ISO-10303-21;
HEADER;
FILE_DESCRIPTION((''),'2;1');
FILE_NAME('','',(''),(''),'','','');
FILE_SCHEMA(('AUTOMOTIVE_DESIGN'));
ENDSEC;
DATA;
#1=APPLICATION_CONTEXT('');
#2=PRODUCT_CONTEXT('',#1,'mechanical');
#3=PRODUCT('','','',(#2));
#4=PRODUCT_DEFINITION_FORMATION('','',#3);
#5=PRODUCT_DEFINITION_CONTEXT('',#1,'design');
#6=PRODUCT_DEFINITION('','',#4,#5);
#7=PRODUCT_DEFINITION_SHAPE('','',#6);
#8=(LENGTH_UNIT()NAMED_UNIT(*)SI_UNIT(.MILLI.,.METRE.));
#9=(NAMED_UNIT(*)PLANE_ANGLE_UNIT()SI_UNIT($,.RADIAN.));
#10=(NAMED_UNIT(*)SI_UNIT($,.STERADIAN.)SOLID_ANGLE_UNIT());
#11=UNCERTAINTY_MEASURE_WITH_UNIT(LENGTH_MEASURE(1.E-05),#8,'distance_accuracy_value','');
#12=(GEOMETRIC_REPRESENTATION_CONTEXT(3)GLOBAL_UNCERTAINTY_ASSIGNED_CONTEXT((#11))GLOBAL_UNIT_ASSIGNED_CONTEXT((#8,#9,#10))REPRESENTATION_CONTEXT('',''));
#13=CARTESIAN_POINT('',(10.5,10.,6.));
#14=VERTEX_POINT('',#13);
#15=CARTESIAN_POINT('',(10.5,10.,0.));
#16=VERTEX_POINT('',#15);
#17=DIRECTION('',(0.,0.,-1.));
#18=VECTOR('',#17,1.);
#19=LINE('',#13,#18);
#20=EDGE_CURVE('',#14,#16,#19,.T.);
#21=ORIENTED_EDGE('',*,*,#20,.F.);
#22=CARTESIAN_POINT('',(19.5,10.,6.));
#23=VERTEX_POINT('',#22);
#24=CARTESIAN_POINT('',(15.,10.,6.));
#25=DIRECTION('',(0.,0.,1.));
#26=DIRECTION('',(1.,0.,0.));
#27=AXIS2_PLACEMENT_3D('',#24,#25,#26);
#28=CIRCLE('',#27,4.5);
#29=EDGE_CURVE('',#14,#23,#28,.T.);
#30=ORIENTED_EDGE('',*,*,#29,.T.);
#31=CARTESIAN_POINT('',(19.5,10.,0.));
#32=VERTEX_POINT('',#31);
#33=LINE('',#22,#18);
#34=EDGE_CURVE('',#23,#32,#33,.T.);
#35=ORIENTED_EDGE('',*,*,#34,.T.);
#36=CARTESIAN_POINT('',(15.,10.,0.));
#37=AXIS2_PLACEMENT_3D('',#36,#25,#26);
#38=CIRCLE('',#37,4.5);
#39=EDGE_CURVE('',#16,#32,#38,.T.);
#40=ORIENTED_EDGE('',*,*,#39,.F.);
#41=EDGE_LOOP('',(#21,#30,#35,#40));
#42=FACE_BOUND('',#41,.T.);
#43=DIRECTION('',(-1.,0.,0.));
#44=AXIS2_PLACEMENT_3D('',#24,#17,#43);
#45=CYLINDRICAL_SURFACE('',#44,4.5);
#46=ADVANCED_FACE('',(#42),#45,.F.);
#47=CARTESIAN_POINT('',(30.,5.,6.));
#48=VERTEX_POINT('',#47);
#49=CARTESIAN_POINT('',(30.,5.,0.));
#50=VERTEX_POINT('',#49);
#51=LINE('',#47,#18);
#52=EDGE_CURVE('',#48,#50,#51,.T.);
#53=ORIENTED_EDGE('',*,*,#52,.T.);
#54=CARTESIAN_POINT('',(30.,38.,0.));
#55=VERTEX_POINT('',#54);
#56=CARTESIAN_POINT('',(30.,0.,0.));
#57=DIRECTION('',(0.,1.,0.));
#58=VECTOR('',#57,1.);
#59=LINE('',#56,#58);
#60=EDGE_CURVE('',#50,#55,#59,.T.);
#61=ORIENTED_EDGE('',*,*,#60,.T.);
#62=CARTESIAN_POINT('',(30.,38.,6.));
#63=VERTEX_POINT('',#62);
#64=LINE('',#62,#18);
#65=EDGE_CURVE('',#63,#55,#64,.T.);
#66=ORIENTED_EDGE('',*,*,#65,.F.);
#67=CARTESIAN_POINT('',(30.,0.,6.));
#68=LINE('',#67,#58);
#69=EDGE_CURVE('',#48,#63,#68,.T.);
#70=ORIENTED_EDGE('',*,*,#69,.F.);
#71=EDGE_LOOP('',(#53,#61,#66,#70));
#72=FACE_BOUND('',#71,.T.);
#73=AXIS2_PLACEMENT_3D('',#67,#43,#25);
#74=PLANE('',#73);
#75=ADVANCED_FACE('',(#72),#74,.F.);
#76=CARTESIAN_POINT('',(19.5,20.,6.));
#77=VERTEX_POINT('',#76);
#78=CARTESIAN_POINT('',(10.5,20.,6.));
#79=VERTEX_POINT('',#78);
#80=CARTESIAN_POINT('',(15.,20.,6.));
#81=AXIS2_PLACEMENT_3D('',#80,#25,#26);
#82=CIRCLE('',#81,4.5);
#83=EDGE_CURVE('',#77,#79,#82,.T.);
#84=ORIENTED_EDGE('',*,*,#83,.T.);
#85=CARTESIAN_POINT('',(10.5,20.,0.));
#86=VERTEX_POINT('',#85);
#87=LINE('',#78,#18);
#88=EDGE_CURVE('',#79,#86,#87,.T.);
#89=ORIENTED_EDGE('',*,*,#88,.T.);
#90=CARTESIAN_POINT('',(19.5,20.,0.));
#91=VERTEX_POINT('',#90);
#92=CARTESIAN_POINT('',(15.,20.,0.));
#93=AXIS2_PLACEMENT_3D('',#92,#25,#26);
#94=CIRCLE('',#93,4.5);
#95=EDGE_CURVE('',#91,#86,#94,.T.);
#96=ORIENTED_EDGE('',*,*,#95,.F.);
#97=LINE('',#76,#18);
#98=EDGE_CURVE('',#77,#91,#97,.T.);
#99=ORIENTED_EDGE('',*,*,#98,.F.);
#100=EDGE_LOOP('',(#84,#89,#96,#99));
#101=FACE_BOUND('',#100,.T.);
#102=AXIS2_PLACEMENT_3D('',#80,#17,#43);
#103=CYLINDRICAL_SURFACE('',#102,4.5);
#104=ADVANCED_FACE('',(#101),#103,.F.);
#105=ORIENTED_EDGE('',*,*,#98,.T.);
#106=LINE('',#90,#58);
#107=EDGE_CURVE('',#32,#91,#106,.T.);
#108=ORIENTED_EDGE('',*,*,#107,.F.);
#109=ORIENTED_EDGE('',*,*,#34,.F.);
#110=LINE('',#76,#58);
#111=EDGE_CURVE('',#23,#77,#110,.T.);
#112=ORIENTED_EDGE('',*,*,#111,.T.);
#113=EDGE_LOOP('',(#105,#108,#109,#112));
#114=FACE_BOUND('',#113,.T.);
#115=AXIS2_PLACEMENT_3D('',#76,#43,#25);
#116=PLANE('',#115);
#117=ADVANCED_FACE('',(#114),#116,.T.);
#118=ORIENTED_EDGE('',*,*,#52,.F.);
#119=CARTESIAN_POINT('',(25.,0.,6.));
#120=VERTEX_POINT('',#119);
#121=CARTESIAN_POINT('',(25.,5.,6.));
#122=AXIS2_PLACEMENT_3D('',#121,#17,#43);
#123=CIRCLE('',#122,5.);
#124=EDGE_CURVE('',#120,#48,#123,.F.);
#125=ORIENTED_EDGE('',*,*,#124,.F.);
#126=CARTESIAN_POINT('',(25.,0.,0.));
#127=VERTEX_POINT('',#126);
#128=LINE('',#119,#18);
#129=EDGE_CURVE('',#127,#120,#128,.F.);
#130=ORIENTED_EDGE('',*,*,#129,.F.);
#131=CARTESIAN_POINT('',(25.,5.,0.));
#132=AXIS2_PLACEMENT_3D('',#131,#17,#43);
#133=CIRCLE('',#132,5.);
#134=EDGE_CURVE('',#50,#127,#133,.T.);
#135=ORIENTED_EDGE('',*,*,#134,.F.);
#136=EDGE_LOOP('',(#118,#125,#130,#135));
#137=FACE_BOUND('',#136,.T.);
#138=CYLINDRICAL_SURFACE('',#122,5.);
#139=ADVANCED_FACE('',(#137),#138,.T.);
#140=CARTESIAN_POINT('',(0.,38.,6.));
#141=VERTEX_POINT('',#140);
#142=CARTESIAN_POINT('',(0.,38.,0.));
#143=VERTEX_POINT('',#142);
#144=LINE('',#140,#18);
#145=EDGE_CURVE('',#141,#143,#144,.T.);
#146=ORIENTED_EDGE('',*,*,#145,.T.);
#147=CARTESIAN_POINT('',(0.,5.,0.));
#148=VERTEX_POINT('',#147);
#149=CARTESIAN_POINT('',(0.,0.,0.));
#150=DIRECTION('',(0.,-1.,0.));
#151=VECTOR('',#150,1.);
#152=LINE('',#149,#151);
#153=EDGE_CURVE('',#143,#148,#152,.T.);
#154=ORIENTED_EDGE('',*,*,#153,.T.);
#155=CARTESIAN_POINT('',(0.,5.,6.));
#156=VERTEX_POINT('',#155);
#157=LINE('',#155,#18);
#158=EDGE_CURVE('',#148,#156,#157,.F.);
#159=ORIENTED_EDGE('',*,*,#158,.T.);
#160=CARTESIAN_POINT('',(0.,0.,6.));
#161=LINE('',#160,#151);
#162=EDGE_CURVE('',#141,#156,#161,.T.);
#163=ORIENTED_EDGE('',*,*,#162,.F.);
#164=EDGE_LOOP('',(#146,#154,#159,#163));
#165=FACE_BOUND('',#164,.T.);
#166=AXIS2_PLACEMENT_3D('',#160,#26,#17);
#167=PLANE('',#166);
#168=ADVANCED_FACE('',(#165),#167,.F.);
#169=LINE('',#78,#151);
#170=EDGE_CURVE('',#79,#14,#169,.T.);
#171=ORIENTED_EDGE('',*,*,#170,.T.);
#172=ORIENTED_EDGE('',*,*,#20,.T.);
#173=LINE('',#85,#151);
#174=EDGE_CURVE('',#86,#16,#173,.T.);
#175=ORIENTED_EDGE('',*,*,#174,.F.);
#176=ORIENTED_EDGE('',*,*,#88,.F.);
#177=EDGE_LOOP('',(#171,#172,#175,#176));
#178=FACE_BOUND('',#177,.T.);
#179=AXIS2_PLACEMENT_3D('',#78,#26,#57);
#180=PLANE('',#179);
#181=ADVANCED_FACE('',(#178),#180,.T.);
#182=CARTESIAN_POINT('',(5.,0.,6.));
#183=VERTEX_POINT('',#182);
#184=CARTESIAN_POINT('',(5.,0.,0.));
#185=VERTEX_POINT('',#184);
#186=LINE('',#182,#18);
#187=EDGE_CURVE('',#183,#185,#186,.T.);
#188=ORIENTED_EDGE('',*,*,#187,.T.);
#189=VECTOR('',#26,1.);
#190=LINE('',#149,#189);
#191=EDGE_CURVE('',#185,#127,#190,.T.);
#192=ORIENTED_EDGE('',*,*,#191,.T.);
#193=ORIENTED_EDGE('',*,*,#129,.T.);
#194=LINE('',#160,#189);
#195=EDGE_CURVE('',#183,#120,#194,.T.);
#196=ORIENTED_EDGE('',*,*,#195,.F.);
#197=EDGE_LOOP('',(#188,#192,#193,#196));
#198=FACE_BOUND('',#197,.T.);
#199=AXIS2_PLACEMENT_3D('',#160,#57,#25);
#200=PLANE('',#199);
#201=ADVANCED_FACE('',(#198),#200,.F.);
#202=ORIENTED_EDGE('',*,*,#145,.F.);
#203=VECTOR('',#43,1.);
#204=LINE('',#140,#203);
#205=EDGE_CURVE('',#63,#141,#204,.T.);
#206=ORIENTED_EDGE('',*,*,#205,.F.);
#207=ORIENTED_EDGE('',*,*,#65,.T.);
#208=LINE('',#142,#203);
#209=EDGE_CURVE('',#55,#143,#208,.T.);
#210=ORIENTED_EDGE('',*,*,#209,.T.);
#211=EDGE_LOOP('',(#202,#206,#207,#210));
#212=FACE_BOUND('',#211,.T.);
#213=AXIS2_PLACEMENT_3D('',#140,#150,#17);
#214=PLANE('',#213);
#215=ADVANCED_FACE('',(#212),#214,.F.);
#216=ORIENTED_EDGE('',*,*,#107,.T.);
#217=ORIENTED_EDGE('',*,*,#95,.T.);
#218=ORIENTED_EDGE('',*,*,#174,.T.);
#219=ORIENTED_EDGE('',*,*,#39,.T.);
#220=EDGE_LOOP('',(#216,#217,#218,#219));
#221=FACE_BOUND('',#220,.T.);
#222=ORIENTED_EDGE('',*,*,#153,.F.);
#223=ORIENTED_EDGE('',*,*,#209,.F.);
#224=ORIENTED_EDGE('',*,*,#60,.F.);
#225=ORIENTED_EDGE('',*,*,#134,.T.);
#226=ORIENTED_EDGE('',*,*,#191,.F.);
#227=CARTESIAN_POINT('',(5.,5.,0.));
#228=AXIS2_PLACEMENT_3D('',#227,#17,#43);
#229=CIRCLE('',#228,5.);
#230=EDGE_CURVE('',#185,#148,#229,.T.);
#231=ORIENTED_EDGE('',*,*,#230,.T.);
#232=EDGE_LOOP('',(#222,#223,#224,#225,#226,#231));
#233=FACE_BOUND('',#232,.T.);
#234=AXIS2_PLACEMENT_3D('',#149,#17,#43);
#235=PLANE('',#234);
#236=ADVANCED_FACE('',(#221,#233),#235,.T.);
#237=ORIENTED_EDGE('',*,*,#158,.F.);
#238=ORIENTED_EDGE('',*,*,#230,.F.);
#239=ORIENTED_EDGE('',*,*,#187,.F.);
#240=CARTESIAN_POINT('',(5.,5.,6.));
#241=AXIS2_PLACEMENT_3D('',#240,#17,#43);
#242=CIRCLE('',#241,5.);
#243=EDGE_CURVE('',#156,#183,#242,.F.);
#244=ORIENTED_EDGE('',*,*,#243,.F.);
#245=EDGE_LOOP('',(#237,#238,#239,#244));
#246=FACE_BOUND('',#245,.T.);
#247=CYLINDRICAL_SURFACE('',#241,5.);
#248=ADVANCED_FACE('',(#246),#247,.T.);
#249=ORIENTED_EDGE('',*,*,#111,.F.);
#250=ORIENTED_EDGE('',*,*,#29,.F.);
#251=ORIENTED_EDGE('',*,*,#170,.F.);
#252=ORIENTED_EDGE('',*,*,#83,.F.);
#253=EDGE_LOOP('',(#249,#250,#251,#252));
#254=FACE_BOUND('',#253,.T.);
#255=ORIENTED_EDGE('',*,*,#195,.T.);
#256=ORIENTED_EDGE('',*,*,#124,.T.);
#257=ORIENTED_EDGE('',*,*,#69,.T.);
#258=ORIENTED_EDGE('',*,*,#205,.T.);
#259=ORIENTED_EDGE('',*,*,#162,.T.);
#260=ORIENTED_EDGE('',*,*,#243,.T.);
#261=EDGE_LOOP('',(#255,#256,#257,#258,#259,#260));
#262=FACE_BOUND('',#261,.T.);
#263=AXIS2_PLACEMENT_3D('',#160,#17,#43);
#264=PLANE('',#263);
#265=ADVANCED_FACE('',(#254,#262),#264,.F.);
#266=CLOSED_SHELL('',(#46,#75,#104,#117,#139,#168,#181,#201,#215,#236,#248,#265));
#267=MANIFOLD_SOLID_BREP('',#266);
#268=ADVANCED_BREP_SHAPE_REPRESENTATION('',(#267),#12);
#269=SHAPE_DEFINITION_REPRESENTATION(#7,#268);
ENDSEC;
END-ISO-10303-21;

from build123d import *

# Parameters (mm, degrees)
SKETCH_1_W      = 30
SKETCH_1_H      = 38
EXTRUDE_1_DEPTH = 6
FILLET_1_R      = 5


with BuildPart() as part:
    # 草图1 → 凸台-拉伸1 (new body)
    with BuildSketch(Plane.XY):
        with Locations((15, 19)):
            Rectangle(SKETCH_1_W, SKETCH_1_H)
        with BuildLine():
            Line((19.5, 20), (19.5, 10))
            ThreePointArc((19.5, 10), (15, 5.5), (10.5, 10))
            Line((10.5, 10), (10.5, 20))
            ThreePointArc((10.5, 20), (15, 24.5), (19.5, 20))
        make_face(mode=Mode.SUBTRACT)
    extrude(amount=EXTRUDE_1_DEPTH)

    # 圆角1
    fillet_1_edges = [part.edges().sort_by_distance(p)[0] for p in [
        (30, 0, 3),
        (0, 0, 3),
    ]]
    fillet(fillet_1_edges, radius=FILLET_1_R)


solid = part.part
